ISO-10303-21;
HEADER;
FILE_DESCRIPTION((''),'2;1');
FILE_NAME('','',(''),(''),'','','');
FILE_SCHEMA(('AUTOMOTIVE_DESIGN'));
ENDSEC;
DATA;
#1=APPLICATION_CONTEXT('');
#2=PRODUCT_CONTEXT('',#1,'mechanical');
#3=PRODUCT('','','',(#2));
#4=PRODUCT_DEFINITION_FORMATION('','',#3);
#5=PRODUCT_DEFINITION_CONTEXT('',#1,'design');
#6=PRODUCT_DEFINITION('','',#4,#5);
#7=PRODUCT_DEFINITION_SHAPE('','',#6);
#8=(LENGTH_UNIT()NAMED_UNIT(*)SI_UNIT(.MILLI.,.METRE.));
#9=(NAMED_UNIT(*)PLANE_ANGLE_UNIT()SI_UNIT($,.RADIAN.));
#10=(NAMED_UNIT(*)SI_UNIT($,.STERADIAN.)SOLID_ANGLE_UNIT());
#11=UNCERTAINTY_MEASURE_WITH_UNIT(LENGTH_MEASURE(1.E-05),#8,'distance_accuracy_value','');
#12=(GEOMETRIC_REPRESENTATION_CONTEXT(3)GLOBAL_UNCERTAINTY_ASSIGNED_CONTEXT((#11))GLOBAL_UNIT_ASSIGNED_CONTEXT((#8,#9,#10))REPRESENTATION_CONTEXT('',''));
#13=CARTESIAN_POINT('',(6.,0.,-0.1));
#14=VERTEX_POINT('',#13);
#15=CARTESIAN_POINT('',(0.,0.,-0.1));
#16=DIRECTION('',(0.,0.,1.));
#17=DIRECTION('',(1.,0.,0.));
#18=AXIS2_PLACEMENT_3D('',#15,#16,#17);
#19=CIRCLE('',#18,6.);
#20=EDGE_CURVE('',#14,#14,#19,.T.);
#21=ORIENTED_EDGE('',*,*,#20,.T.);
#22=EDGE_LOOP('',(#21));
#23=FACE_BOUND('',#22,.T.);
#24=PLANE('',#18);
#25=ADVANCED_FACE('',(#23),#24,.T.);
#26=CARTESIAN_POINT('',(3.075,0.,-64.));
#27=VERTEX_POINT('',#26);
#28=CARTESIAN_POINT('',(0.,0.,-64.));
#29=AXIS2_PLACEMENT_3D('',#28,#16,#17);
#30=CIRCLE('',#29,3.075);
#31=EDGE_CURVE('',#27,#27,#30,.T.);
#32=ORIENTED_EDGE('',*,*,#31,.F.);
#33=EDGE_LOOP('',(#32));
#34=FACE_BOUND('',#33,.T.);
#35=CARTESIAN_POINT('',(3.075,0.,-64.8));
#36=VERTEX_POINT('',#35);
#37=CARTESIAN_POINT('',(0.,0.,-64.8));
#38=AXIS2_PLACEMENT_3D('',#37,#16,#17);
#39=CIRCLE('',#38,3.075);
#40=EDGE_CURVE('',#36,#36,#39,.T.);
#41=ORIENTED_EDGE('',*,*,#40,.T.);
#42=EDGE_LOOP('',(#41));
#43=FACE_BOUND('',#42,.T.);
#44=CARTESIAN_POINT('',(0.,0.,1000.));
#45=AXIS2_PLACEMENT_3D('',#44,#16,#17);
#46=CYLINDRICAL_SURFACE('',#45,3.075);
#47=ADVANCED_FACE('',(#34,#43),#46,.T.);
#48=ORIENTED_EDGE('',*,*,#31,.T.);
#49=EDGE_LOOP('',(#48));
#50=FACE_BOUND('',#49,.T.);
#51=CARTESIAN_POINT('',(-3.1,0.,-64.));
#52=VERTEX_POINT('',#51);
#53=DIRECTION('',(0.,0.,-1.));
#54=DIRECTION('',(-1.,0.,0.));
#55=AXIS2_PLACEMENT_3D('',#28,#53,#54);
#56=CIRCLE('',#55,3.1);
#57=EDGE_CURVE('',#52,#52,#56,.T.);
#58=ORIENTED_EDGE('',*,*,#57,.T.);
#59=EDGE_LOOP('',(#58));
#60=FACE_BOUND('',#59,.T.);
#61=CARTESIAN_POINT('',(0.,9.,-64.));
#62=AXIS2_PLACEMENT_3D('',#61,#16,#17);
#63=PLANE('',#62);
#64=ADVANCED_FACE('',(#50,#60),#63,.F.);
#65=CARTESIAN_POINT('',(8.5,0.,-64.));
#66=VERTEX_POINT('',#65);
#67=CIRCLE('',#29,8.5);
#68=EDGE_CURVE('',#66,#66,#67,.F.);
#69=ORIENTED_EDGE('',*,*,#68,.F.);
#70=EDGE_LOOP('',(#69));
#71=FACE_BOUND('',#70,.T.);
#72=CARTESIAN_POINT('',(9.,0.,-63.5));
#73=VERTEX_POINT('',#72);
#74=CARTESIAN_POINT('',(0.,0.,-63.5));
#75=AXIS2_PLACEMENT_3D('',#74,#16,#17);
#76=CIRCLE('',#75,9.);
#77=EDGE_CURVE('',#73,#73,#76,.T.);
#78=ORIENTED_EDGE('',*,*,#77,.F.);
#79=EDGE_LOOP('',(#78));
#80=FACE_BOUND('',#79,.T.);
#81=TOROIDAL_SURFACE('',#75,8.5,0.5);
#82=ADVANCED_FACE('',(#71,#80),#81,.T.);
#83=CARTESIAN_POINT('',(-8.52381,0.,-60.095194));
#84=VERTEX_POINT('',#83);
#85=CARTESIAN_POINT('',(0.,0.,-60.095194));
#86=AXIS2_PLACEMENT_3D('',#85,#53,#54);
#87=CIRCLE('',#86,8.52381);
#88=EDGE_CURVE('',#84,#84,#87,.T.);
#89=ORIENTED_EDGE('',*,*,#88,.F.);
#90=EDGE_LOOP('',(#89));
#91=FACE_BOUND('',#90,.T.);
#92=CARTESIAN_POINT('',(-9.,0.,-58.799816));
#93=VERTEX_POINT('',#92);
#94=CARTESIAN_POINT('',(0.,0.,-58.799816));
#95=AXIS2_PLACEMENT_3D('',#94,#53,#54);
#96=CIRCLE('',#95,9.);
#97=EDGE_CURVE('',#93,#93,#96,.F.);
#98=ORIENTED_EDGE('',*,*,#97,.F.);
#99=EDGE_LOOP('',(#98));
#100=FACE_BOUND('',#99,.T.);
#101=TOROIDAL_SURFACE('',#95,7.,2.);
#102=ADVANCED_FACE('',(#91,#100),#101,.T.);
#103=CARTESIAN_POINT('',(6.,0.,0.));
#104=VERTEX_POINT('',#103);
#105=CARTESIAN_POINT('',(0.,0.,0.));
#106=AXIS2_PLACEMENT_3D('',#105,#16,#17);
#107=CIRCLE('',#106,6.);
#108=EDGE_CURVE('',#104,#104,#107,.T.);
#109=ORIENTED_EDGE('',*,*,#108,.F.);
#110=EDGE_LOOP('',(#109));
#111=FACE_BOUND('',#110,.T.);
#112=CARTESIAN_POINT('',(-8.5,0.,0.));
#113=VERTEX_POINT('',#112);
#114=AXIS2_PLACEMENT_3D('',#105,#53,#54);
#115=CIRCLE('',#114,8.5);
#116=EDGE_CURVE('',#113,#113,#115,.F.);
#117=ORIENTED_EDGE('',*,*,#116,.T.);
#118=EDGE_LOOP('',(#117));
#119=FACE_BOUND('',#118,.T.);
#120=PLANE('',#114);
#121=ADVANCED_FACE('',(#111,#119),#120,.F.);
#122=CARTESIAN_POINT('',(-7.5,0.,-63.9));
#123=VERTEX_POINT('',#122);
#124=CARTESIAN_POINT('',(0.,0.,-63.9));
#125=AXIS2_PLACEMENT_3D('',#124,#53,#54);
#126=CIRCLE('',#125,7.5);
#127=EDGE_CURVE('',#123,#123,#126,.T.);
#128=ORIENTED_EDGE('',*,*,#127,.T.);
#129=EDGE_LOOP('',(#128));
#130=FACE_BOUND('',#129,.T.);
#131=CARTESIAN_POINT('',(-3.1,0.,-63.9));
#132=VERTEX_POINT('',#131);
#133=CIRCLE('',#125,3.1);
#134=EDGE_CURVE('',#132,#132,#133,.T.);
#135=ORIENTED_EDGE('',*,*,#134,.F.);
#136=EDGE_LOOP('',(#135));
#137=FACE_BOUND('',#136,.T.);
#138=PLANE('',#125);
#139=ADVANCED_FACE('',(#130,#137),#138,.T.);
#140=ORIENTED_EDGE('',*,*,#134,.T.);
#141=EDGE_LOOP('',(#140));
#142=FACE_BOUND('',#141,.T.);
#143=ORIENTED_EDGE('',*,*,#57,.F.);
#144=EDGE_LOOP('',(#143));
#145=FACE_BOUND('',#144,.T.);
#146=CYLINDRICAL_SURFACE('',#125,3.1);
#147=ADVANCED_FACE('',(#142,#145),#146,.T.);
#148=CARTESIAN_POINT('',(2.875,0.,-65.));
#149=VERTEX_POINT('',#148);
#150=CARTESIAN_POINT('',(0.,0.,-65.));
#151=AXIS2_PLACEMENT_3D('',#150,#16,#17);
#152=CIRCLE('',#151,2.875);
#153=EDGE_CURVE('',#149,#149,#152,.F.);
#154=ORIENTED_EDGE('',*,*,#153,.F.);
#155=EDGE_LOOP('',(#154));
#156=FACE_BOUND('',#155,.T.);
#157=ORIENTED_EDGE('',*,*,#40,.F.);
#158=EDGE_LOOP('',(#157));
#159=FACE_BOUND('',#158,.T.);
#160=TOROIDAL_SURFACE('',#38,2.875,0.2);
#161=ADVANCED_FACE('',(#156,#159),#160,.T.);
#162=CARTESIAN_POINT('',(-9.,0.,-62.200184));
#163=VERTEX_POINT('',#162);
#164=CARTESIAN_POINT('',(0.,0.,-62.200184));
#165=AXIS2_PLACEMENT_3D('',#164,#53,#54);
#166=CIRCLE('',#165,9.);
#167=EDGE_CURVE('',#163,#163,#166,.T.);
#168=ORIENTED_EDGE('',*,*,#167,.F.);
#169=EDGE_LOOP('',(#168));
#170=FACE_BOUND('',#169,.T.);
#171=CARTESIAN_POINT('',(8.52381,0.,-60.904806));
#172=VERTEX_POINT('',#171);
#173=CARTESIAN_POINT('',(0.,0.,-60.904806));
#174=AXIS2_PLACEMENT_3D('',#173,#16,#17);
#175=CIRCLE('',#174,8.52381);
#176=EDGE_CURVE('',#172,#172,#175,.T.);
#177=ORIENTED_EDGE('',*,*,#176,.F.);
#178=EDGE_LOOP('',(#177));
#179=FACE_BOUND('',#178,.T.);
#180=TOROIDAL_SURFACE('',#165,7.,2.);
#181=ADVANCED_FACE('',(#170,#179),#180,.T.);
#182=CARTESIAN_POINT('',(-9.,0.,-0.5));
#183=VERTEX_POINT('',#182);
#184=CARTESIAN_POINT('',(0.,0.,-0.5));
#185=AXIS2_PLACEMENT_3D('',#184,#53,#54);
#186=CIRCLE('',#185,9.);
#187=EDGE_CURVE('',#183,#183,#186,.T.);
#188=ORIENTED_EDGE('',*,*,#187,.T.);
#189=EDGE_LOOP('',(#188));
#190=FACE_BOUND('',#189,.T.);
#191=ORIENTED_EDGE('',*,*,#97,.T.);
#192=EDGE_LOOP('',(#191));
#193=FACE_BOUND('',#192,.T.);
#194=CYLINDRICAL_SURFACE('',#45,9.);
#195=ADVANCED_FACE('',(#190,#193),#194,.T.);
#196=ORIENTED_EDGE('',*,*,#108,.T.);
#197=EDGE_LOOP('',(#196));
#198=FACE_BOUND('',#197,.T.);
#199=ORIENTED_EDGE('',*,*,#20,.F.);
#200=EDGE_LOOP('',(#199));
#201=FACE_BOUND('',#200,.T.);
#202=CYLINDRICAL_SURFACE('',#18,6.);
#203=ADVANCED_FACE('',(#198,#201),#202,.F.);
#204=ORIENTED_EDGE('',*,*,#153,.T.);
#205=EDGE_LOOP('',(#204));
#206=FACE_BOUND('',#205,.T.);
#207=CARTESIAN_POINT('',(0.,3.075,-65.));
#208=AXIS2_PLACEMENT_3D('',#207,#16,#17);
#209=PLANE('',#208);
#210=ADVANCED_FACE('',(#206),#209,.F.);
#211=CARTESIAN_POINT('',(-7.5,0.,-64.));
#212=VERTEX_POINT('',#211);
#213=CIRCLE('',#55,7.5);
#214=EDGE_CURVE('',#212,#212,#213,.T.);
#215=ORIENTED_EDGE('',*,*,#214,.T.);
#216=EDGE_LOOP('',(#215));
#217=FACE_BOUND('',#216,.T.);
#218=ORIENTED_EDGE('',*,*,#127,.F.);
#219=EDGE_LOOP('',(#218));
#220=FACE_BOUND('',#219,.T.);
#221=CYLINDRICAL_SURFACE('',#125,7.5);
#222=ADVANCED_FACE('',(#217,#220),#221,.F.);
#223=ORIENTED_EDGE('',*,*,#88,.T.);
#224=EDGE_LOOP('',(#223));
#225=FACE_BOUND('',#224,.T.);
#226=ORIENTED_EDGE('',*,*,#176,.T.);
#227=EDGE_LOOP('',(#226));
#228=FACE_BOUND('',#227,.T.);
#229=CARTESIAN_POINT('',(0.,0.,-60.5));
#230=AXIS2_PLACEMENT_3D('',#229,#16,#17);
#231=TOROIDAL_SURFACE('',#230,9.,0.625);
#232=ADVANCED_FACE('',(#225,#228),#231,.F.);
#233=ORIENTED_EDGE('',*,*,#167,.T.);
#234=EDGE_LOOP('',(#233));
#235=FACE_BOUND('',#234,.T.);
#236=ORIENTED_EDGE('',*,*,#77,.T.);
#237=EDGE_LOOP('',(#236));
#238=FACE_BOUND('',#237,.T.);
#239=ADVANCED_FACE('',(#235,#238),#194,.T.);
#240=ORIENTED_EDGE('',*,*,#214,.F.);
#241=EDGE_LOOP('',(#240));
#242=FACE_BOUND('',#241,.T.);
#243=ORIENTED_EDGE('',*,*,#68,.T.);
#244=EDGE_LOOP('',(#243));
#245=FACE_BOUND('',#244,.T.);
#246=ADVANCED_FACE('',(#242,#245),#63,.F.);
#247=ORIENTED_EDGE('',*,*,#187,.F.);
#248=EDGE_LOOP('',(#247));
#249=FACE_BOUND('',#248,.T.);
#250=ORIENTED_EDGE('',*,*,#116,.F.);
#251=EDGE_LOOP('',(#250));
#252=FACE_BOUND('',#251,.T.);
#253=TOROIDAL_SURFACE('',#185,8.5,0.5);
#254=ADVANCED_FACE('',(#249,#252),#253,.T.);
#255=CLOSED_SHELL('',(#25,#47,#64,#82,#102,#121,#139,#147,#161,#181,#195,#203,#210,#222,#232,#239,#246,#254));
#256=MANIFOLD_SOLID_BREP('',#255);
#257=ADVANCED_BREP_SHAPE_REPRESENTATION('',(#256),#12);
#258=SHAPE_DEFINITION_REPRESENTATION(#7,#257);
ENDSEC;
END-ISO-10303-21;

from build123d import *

# Parameters (mm, degrees)
FILLET1_R          = 0.5
FILLET2_R          = 2
FILLET3_R          = 0.2
SKETCH3_R          = 6
CUT_EXTRUDE1_DEPTH = 0.1
SKETCH4_R          = 7.5
SKETCH4_R_2        = 3.1
CUT_EXTRUDE2_DEPTH = 0.1


with BuildPart() as part:
    # Sketch2 → Revolve1 (revolve)
    with BuildSketch(Plane(origin=(0, 0, 0), x_dir=(0, 0, -1), z_dir=(1, 0, 0)), mode=Mode.PRIVATE) as revolve1_sk:
        with BuildLine():
            Line((0, 0), (0, 9))
            Line((0, 9), (59.875, 9))
            ThreePointArc((59.875, 9), (60.5, 8.375), (61.125, 9))
            Line((61.125, 9), (64, 9))
            Line((64, 9), (64, 3.075))
            Line((64, 3.075), (65, 3.075))
            Line((65, 3.075), (65, 0))
            Line((65, 0), (0, 0))
        make_face()
    revolve(revolve1_sk.sketch.rotate(Axis((0, 0, 1000), (0, 0, -1)), 90), axis=Axis((0, 0, 1000), (0, 0, -1)))

    # Fillet1
    fillet1_edges = [part.edges().sort_by_distance(p)[0] for p in [
        (-9, 0, 0),
        (-9, 0, -64),
    ]]
    fillet(fillet1_edges, radius=FILLET1_R)

    # Fillet2
    fillet2_edges = [part.edges().sort_by_distance(p)[0] for p in [
        (-9, 0, -59.875),
        (-9, 0, -61.125),
    ]]
    fillet(fillet2_edges, radius=FILLET2_R)

    # Fillet3
    fillet3_edges = [part.edges().sort_by_distance(p)[0] for p in [
        (-3.075, 0, -65),
    ]]
    fillet(fillet3_edges, radius=FILLET3_R)

    # Sketch3 → Cut-Extrude1 (cut)
    with BuildSketch(Plane.XY):
        Circle(SKETCH3_R)
    extrude(amount=-CUT_EXTRUDE1_DEPTH, mode=Mode.SUBTRACT)

    # Sketch4 → Cut-Extrude2 (cut)
    with BuildSketch(Plane(origin=(0, 0, -64), x_dir=(-1, 0, 0), z_dir=(0, 0, -1))):
        Circle(SKETCH4_R)
        Circle(SKETCH4_R_2, mode=Mode.SUBTRACT)
    extrude(amount=-CUT_EXTRUDE2_DEPTH, mode=Mode.SUBTRACT)


solid = part.part
